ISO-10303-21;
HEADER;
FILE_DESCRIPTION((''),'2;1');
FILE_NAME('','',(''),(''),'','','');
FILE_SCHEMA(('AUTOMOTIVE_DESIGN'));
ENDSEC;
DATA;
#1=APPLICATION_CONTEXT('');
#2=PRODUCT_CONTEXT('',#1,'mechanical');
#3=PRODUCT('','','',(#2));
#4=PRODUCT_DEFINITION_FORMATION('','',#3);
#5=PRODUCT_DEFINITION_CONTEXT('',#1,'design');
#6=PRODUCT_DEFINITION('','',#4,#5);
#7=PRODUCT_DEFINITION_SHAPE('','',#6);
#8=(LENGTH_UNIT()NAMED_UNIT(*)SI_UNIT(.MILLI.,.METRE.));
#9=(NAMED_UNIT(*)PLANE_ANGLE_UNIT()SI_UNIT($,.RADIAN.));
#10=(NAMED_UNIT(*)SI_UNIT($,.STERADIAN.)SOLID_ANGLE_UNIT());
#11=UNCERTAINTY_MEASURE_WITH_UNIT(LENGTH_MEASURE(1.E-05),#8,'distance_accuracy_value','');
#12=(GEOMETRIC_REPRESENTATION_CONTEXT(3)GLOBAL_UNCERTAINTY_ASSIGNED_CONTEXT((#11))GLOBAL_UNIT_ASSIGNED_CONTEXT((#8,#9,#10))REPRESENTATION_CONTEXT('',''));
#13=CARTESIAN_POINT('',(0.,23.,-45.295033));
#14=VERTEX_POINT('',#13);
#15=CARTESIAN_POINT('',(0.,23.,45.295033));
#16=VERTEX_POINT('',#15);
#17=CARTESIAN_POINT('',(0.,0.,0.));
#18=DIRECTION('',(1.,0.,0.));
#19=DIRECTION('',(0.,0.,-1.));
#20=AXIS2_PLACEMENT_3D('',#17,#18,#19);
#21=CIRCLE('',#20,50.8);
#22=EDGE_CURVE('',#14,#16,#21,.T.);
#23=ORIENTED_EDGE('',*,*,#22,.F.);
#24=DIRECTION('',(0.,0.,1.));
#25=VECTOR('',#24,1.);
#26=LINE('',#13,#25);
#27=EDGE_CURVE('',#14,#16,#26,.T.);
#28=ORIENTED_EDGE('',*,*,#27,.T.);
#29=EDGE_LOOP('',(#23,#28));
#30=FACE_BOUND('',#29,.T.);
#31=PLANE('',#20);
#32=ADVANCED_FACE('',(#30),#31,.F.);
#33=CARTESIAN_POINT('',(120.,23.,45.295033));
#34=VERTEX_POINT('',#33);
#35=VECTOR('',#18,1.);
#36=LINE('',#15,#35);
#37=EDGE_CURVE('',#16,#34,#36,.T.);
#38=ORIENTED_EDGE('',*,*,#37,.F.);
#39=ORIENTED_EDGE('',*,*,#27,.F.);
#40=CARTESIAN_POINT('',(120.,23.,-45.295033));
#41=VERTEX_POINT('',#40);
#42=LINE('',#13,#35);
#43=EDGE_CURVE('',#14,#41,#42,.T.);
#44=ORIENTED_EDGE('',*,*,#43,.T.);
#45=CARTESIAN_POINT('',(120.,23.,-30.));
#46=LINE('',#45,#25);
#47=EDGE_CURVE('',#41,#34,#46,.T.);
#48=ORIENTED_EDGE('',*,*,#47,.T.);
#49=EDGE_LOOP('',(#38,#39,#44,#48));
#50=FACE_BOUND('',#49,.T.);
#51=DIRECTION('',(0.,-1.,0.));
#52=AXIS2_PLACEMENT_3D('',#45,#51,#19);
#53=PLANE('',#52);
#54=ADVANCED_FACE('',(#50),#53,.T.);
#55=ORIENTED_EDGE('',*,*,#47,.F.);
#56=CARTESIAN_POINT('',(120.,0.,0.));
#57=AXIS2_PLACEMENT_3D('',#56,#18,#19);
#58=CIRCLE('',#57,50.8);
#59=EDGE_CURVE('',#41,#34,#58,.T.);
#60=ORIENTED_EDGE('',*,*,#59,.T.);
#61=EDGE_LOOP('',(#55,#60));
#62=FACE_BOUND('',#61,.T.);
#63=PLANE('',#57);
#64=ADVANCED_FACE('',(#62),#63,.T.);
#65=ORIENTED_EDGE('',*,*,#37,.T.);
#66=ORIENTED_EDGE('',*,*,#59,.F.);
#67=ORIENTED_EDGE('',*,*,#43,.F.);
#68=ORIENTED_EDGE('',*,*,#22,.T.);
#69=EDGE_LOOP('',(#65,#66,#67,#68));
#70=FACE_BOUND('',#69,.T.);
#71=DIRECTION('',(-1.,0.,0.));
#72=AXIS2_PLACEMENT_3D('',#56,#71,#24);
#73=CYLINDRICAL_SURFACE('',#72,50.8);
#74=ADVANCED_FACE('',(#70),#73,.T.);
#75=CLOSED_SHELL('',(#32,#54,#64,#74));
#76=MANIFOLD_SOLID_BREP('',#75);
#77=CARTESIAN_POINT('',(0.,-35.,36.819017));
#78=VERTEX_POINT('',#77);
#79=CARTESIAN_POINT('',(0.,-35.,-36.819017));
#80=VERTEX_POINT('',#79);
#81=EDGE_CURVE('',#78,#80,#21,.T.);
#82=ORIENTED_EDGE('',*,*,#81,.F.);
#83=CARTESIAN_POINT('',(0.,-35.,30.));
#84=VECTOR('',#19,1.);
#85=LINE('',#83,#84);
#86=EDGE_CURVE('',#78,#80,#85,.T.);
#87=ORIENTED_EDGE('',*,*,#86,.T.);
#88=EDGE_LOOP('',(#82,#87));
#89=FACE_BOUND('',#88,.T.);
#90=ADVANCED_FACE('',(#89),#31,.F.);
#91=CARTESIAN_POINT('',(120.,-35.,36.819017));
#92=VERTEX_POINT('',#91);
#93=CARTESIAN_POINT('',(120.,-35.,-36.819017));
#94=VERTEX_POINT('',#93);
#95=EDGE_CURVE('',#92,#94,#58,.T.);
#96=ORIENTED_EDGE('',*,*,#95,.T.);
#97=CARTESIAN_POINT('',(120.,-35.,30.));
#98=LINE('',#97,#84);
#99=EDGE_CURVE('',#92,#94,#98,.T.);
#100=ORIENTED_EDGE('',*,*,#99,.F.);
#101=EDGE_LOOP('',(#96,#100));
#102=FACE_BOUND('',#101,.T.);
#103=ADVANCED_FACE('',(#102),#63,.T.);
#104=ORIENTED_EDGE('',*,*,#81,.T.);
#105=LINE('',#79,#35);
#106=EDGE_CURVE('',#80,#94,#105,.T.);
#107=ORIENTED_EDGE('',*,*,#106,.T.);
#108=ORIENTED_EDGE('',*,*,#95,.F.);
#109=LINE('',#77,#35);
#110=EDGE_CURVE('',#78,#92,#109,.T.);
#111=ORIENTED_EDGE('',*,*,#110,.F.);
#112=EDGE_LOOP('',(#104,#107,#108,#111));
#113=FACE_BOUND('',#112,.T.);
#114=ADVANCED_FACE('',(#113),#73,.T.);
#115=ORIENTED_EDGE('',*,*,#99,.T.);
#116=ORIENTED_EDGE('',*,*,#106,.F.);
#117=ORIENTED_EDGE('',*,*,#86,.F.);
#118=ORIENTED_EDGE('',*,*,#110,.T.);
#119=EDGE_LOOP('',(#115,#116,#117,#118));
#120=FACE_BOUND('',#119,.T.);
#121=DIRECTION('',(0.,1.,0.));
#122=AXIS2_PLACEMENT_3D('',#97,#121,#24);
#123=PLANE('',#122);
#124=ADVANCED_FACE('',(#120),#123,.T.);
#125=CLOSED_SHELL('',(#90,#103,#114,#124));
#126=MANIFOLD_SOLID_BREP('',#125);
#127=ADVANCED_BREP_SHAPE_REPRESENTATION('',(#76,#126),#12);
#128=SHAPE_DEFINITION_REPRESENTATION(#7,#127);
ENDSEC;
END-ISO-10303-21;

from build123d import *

# Parameters (mm, degrees)
SKETCH1_R           = 50.8
SKETCH1_W           = 60
SKETCH1_H           = 58
BOSS_EXTRUDE1_DEPTH = 120
CUT_EXTRUDE1_DEPTH  = 140.861645922


with BuildPart() as part:
    # Sketch1 → Boss-Extrude1 (new body)
    with BuildSketch(Plane(origin=(0, 0, 0), x_dir=(0, 0, -1), z_dir=(1, 0, 0))):
        Circle(SKETCH1_R)
        with Locations((0, -6)):
            Rectangle(SKETCH1_W, SKETCH1_H, mode=Mode.SUBTRACT)
    extrude(amount=BOSS_EXTRUDE1_DEPTH)

    # Sketch4 → Cut-Extrude1 (cut, through all)
    with BuildSketch(Plane(origin=(120, 0, 0), x_dir=(0, 0, -1), z_dir=(1, 0, 0))):
        with BuildLine():
            Line((45.29503284, 23), (-45.29503284, 23))
            ThreePointArc((-45.29503284, 23), (-50.26608487, -7.345795523), (-36.819016826, -35))
            Line((-36.819016826, -35), (36.819016826, -35))
            ThreePointArc((36.819016826, -35), (50.26608487, -7.345795523), (45.29503284, 23))
        make_face()
    extrude(amount=-CUT_EXTRUDE1_DEPTH, mode=Mode.SUBTRACT)


with BuildPart() as cut_extrude1_piece_1:
    # of the separate pieces the step leaves, piece 1, a body of its own (cut_extrude1_pieces)
    add(part.part.solids().sort_by_distance((0, 23, -45.29503284))[0])


with BuildPart() as cut_extrude1_piece_2:
    # of the separate pieces the step leaves, piece 2, a body of its own (cut_extrude1_pieces)
    add(part.part.solids().sort_by_distance((0, -35, 36.819016826))[0])


solid = Compound([cut_extrude1_piece_1.part, cut_extrude1_piece_2.part])
